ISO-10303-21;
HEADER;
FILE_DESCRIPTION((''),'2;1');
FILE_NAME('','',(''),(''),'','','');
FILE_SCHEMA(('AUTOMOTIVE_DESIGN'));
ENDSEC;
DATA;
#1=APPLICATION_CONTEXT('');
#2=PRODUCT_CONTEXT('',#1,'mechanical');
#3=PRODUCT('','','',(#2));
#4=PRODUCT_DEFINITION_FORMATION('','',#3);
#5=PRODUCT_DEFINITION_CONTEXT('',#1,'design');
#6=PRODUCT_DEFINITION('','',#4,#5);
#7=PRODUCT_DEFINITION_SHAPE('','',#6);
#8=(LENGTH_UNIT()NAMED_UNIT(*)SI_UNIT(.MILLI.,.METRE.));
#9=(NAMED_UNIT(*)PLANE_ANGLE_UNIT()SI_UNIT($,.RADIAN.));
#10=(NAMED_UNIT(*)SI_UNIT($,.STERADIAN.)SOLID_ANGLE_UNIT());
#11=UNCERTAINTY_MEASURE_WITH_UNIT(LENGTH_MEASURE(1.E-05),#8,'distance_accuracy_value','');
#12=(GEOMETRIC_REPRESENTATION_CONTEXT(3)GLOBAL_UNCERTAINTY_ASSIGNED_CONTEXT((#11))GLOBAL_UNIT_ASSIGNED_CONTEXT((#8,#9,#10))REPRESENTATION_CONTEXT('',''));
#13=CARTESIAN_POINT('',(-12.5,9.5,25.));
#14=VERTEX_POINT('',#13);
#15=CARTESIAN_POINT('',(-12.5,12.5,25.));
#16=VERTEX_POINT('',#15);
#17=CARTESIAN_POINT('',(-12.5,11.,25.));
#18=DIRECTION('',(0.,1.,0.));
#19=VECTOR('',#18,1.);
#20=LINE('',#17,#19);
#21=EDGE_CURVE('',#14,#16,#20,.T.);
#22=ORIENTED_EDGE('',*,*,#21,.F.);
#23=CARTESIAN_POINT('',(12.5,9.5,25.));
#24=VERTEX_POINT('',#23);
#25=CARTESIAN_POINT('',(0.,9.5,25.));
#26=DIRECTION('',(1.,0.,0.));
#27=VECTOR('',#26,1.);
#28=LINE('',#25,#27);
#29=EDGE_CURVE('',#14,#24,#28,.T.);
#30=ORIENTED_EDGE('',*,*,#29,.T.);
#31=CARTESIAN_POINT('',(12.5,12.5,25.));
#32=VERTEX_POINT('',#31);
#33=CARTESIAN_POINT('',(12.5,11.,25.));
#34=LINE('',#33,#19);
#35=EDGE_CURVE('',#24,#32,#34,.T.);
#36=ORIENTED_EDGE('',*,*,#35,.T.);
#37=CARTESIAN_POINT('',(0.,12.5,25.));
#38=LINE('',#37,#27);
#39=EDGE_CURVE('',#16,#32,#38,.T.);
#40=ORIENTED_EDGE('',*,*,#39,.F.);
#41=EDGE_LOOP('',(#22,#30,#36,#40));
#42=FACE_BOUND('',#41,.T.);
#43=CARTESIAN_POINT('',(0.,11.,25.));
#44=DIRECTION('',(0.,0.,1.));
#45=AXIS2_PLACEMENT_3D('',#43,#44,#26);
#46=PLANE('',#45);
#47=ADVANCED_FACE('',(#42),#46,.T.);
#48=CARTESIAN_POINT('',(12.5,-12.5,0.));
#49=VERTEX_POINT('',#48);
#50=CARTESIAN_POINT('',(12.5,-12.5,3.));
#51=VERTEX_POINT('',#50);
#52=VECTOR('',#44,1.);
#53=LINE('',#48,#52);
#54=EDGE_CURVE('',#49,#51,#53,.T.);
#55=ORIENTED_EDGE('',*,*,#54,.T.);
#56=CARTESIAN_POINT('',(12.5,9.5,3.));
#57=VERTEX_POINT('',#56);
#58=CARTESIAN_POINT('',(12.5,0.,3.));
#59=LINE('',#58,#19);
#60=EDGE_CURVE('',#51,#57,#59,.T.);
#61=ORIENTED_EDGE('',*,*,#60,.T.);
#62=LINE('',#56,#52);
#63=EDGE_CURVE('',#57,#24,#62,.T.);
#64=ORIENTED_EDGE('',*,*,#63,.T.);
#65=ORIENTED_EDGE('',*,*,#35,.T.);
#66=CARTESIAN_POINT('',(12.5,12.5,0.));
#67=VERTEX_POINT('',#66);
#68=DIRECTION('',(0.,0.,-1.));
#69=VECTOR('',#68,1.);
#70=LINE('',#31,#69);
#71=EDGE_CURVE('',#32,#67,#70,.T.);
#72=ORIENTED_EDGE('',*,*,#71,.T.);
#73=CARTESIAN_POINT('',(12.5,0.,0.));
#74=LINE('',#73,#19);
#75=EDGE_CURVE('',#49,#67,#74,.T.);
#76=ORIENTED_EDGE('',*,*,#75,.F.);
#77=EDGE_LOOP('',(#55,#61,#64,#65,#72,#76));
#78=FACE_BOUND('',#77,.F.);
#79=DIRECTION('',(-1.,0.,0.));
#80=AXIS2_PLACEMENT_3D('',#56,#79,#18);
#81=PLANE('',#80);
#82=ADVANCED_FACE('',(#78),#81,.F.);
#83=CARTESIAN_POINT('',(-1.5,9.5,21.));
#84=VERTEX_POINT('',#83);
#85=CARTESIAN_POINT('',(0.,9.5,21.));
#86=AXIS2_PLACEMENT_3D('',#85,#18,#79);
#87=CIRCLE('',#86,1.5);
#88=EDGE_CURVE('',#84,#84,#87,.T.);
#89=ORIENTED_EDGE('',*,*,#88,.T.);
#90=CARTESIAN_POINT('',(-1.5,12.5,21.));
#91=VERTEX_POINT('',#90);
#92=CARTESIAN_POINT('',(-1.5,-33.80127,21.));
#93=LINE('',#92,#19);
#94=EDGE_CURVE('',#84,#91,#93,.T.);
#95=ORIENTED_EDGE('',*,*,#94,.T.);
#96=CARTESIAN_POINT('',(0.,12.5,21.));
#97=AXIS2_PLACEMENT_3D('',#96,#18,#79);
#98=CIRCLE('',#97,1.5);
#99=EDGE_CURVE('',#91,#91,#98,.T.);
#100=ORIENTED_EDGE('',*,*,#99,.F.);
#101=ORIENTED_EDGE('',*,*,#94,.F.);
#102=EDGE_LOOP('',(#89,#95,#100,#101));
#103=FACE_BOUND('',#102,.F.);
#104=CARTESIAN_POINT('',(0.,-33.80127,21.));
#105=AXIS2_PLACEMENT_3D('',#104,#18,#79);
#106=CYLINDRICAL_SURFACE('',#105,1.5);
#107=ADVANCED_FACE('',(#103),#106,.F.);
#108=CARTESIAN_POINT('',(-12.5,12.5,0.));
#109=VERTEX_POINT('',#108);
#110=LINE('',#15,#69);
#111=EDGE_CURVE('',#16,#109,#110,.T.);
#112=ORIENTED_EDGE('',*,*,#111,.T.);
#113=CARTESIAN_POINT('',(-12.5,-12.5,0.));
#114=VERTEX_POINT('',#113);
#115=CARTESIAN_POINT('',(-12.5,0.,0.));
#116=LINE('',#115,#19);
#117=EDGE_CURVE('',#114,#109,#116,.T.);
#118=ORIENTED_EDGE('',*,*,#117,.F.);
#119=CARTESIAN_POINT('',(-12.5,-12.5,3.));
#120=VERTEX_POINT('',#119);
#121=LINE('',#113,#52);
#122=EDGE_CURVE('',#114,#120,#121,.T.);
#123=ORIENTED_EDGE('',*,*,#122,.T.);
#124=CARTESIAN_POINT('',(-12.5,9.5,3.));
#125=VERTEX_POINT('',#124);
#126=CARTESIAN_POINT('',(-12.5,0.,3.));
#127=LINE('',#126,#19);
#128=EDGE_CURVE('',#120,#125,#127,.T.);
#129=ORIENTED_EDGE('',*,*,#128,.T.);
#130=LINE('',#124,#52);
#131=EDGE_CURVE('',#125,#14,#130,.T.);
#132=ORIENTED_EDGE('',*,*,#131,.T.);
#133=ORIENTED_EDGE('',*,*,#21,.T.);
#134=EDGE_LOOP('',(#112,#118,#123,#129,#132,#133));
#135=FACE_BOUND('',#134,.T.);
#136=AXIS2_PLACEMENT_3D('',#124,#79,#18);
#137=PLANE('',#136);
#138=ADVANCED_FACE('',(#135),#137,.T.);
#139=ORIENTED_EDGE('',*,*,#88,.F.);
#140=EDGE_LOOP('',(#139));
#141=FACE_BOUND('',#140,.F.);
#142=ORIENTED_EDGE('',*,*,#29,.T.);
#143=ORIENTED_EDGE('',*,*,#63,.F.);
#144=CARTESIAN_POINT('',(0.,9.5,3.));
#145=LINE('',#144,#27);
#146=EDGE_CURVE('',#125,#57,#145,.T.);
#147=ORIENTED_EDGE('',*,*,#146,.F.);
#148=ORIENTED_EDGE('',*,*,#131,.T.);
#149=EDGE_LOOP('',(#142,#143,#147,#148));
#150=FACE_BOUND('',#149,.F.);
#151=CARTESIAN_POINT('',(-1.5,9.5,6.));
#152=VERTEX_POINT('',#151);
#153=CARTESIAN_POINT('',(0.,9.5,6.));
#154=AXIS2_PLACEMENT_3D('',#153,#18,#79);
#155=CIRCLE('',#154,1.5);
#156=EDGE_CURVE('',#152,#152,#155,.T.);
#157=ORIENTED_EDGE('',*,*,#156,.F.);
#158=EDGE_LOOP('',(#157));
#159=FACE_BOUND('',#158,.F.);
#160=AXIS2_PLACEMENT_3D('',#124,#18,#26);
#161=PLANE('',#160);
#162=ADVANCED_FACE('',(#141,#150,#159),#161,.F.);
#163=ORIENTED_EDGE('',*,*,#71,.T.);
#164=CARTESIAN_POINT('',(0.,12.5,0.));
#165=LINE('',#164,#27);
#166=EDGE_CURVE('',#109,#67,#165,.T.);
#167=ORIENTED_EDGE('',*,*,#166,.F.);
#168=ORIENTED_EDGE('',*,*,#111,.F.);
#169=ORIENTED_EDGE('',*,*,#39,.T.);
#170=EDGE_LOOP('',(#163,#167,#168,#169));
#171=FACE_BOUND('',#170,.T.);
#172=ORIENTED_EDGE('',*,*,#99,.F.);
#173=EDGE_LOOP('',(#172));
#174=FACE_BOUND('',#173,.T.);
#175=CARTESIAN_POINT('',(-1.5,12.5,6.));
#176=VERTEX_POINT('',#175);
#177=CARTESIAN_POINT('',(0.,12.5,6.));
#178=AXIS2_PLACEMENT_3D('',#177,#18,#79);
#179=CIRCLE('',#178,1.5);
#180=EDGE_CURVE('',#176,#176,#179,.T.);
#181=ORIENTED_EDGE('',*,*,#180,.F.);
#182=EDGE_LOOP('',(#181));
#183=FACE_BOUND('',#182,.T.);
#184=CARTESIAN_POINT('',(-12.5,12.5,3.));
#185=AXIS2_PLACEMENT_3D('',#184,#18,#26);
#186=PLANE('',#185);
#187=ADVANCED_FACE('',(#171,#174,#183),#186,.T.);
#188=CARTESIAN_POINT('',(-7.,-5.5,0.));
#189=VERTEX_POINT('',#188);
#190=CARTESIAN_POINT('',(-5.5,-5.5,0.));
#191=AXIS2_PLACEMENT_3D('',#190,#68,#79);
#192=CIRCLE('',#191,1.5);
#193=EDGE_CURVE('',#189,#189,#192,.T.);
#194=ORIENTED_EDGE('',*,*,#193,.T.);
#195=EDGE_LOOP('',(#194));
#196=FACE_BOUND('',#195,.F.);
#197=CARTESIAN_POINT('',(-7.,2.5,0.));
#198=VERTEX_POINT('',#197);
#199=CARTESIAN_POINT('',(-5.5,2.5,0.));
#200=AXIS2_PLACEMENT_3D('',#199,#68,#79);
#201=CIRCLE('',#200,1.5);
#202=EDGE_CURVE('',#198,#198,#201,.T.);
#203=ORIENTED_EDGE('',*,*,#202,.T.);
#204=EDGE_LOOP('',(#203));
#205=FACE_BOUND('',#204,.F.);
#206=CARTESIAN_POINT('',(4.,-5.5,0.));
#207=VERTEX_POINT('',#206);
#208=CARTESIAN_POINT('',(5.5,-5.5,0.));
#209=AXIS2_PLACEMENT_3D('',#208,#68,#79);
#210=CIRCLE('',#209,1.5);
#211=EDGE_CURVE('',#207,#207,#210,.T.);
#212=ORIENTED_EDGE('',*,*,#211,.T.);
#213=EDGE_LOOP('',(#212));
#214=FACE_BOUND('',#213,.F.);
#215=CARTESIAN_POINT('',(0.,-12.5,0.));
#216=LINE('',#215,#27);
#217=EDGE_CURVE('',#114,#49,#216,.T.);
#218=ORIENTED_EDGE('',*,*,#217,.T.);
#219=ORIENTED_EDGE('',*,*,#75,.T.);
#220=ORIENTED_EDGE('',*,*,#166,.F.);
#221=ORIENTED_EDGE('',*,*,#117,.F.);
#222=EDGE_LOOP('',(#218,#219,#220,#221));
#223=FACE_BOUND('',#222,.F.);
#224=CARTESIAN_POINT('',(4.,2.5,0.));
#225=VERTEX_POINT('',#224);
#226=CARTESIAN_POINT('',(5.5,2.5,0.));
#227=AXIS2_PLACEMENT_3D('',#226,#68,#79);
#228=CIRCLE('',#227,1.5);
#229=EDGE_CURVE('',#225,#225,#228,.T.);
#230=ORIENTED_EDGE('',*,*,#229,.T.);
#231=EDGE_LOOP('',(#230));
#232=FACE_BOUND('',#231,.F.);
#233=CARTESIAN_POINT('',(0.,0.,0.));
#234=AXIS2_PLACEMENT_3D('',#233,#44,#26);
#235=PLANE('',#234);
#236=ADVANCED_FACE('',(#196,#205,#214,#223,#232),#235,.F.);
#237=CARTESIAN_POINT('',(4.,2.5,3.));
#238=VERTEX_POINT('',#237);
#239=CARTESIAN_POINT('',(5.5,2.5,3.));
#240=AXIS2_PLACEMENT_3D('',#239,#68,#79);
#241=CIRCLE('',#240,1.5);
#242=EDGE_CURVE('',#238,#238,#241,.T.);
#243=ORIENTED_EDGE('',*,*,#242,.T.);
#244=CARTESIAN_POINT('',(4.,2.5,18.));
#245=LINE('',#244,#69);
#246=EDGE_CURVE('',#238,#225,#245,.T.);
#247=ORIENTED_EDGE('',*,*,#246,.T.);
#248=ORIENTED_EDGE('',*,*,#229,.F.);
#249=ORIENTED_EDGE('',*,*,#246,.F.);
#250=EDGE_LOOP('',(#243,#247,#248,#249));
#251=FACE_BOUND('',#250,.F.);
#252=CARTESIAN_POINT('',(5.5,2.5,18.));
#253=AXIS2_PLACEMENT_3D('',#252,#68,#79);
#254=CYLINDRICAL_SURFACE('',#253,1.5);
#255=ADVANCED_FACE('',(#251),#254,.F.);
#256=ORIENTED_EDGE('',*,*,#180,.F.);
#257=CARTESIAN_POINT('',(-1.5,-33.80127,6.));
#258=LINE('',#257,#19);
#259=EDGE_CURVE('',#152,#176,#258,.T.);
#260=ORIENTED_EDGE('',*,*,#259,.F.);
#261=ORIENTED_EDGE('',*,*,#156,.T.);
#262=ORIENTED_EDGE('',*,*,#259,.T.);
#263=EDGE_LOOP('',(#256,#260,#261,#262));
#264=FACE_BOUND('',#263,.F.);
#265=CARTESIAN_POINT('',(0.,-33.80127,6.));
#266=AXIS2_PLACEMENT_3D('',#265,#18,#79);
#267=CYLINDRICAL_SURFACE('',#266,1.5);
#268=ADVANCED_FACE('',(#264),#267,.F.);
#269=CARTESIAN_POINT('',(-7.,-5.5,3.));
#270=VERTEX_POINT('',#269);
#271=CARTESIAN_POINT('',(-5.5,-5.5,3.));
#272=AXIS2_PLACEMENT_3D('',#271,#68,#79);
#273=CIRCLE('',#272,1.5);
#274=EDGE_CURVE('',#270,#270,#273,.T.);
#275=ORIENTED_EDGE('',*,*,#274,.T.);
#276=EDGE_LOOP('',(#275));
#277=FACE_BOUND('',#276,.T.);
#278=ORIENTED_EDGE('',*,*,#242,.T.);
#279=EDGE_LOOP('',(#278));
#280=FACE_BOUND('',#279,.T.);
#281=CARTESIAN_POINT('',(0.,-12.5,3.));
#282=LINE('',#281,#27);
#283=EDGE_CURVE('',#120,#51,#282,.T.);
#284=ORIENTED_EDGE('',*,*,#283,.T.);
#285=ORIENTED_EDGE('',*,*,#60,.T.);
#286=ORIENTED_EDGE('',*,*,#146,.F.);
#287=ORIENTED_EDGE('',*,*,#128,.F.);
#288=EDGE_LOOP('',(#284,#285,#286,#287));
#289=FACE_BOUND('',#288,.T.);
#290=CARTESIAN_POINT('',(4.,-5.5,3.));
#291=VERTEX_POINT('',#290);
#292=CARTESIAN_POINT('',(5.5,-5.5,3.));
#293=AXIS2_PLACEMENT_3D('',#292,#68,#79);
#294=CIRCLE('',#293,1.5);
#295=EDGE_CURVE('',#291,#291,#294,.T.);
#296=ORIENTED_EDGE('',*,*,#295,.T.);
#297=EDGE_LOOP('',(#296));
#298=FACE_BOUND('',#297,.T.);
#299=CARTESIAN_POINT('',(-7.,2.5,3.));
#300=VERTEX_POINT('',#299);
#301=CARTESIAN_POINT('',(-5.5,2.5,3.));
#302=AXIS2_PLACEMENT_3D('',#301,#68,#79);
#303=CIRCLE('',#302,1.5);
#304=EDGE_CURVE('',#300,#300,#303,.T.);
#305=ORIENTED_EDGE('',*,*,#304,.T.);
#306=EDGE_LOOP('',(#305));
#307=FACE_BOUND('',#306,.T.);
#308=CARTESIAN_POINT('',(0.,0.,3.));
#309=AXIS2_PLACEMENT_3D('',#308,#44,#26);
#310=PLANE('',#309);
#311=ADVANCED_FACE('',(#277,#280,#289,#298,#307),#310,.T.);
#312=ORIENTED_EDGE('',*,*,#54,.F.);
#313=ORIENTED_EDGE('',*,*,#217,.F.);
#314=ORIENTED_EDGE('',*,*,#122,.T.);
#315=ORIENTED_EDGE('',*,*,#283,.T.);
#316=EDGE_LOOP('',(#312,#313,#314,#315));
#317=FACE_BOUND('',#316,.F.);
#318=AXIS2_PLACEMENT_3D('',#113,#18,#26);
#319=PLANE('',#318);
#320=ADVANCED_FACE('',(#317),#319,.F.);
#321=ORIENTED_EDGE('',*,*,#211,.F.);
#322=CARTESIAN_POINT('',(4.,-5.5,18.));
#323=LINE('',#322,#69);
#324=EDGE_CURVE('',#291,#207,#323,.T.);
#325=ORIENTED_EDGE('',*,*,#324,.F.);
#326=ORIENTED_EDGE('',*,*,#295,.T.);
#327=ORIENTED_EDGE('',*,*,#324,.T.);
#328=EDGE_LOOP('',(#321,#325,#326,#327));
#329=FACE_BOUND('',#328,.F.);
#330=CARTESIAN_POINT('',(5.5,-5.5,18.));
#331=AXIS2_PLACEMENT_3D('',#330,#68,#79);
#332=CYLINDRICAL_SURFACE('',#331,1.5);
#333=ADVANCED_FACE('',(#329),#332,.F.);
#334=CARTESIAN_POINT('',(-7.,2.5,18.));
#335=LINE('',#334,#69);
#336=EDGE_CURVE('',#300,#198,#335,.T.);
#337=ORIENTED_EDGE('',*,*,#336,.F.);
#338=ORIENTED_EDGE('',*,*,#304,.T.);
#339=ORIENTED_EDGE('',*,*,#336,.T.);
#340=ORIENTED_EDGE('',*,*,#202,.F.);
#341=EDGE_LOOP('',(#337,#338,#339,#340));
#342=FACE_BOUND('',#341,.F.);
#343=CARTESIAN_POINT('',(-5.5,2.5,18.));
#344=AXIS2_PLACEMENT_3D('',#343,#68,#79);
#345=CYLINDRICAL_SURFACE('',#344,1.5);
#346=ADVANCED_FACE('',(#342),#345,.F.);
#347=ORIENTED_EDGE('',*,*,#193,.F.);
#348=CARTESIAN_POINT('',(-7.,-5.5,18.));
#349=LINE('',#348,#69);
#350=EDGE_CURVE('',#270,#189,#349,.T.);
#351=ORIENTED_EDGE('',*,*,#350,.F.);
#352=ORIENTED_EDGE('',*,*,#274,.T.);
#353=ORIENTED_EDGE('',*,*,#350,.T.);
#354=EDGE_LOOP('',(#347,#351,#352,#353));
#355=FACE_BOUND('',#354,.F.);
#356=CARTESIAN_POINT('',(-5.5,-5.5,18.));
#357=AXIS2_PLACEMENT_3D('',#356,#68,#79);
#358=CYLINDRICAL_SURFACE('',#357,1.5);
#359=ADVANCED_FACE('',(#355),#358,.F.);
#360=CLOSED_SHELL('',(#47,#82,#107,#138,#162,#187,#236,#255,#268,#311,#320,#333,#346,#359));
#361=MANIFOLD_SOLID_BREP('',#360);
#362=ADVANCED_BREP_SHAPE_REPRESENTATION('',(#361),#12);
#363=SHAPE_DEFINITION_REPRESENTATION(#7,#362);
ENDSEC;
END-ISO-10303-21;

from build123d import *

# Parameters (mm, degrees)
F0_W     = 25
F0_H     = 25
F1_DEPTH = 3
F3_D     = 3
F3_DEPTH = 15
F4_W     = 25
F4_H     = 3
F5_DEPTH = 22
F7_D     = 3


with BuildPart() as f1:
    # F0 (on Top) → F1 (new body)
    with BuildSketch(Plane.XY):
        Rectangle(F0_W, F0_H)
    extrude(amount=F1_DEPTH)

    # F3
    with Locations(Plane.XY.offset(3)):
        with Locations((5.5, 2.5), (5.5, -5.5), (-5.5, -5.5), (-5.5, 2.5)):
            Hole(F3_D / 2, depth=F3_DEPTH)

    # F4 (on face) → F5 (join)
    with BuildSketch(Plane.XY.offset(3)):
        with Locations((0, 11)):
            Rectangle(F4_W, F4_H)
    extrude(amount=F5_DEPTH)

    # F7 (through all)
    with Locations(Plane.XZ.offset(-9.5)):
        with Locations((0, 21), (0, 6)):
            Hole(F7_D / 2)


solid = f1.part
